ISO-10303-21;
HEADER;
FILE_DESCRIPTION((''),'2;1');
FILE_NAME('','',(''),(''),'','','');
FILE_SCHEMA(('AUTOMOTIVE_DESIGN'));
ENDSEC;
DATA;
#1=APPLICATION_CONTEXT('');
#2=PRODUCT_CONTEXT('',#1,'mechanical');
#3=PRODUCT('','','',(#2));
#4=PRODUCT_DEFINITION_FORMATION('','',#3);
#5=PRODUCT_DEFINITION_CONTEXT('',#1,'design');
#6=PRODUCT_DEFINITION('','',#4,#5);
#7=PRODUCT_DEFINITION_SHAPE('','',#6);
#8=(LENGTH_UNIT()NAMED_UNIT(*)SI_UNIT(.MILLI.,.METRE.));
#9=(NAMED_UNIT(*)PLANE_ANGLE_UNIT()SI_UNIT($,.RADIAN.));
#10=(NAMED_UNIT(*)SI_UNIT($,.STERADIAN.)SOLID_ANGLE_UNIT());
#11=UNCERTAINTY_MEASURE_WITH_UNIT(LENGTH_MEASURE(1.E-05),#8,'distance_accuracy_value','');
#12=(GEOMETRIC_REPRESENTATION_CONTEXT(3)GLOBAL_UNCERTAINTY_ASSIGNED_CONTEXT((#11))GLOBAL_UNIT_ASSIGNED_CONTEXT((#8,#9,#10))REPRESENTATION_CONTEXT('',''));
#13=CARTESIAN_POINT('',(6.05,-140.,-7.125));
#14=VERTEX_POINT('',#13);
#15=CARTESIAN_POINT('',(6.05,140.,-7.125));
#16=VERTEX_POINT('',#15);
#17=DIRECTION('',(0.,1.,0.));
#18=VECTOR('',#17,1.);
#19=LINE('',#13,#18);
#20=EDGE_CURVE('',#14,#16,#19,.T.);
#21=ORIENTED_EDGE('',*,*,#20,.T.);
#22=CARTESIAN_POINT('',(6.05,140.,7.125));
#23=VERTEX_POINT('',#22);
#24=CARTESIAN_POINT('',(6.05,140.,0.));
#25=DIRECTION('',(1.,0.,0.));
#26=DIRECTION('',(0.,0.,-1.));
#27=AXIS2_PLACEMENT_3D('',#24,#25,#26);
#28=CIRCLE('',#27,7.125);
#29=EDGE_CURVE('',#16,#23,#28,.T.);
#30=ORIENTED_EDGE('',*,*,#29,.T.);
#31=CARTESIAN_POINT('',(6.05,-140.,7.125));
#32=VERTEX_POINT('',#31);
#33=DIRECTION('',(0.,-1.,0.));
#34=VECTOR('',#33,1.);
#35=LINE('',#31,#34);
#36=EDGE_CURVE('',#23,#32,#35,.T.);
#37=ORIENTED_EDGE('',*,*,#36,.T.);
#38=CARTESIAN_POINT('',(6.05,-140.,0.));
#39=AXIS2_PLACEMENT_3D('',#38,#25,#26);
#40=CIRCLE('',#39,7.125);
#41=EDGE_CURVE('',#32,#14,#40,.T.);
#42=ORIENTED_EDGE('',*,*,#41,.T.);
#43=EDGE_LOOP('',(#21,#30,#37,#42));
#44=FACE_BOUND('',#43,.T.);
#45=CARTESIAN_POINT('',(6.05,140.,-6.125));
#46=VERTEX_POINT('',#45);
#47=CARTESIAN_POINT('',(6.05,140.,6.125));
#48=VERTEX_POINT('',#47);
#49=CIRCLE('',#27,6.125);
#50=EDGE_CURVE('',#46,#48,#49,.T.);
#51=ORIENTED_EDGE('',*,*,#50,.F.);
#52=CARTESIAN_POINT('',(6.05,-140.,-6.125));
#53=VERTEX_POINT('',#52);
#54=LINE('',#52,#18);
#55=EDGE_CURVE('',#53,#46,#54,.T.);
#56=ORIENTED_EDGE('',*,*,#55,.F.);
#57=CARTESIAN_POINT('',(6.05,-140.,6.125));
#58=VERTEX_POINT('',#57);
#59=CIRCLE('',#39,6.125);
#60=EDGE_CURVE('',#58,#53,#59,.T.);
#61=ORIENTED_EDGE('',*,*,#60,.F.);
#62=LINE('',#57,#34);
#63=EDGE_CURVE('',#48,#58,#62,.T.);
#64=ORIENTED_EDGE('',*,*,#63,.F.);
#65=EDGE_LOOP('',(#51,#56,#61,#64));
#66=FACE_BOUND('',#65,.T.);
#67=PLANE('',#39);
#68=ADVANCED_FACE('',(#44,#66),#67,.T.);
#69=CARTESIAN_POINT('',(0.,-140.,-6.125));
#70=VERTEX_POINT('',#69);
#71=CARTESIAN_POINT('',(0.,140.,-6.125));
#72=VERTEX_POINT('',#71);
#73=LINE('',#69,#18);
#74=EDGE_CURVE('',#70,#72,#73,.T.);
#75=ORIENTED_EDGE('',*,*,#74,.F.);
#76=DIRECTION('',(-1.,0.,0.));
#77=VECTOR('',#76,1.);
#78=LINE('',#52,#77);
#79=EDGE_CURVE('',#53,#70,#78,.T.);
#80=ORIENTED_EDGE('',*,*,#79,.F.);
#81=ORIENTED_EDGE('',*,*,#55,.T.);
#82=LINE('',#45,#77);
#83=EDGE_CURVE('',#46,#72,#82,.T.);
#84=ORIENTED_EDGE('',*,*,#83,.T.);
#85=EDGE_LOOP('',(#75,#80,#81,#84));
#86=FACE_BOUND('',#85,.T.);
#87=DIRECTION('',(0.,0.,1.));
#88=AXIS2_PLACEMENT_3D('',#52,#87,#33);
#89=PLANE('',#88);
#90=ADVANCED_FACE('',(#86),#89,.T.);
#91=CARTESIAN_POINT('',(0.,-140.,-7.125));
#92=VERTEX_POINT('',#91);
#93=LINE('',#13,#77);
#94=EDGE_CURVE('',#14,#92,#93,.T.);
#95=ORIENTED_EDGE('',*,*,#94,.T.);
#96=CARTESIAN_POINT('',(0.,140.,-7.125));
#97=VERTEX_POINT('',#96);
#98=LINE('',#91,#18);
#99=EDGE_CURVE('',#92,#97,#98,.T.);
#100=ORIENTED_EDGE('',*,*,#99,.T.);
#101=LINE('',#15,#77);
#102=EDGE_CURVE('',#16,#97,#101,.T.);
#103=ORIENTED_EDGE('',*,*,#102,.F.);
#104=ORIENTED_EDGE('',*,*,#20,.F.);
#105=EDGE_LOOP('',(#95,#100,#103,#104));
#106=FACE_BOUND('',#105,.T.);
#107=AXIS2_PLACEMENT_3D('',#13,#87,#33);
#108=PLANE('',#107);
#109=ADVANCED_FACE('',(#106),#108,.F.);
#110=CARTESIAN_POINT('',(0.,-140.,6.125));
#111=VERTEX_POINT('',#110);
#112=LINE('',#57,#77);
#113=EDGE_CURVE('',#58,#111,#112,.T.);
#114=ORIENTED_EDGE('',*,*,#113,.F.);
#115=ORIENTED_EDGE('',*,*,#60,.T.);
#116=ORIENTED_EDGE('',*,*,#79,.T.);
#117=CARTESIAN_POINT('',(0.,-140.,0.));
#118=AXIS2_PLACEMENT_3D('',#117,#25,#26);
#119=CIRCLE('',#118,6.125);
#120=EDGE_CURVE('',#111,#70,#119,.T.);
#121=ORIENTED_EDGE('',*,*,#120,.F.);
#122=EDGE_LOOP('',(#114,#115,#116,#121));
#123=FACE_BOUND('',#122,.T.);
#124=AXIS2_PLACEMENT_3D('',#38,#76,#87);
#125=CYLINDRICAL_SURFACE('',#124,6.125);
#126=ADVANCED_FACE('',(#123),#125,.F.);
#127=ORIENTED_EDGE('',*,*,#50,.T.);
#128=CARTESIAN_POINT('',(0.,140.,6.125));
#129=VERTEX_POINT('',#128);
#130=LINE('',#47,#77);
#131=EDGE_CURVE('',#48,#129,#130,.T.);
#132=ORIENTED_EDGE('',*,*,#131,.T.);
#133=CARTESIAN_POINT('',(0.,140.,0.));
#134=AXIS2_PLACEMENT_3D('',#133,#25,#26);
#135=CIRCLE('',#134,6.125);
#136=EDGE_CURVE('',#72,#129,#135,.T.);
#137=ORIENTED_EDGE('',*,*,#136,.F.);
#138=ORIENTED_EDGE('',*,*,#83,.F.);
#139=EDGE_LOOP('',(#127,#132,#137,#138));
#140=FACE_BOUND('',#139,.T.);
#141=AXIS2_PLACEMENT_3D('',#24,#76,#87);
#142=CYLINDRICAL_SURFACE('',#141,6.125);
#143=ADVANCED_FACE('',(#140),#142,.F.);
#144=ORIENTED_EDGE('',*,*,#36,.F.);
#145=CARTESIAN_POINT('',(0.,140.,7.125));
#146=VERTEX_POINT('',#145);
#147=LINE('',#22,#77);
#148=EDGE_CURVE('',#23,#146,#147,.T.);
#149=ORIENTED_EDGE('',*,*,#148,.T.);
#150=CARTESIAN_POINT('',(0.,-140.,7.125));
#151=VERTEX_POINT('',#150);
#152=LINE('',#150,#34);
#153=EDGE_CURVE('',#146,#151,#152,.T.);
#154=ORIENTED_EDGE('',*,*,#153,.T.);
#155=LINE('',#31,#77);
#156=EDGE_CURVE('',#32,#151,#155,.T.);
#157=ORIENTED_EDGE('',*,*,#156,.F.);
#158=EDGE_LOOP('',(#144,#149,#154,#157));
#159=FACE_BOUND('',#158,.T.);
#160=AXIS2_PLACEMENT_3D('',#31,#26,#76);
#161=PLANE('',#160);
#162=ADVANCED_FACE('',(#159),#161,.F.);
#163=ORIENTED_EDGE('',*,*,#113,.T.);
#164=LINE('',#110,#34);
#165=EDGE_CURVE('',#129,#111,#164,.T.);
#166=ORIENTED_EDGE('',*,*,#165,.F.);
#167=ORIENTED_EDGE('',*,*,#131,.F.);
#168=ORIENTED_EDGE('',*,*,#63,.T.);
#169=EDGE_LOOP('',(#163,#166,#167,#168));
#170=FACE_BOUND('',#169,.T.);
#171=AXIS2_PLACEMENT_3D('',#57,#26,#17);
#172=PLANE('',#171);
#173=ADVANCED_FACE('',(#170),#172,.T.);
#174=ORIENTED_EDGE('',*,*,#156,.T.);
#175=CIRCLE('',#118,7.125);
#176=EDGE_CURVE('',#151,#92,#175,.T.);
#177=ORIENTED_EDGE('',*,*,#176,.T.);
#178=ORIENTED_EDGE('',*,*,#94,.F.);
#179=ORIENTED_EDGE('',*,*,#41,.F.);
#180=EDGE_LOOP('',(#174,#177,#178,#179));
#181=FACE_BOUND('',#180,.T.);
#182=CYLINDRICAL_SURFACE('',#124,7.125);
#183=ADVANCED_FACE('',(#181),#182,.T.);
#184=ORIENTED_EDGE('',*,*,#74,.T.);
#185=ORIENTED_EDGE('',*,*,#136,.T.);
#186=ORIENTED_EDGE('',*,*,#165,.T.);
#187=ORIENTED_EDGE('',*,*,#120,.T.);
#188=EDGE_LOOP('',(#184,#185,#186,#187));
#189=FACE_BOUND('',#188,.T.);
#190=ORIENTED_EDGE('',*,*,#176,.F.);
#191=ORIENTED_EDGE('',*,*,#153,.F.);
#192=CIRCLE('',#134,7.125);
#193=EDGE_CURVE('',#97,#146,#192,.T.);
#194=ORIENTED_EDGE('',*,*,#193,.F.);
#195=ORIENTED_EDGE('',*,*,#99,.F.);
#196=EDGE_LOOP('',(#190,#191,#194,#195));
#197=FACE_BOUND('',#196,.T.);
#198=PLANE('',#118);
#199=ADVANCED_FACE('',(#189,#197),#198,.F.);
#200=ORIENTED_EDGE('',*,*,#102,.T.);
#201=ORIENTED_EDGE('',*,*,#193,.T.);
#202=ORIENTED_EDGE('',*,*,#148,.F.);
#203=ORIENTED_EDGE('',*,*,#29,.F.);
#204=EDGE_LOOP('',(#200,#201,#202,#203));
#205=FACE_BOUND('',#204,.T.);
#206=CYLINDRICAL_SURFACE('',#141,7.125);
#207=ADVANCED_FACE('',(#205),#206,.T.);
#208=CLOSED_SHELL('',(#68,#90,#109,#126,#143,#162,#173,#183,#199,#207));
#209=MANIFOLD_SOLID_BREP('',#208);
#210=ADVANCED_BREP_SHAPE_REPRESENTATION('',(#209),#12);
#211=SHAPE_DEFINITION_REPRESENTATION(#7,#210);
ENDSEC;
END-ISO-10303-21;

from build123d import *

# Parameters (mm, degrees)
BOSS_EXTRUDE1_DEPTH = 6.05


with BuildPart() as part:
    # Sketch1 → Boss-Extrude1 (new body)
    with BuildSketch(Plane.YZ):
        with BuildLine():
            Line((-140, 7.125), (140, 7.125))
            ThreePointArc((140, 7.125), (147.125, 0), (140, -7.125))
            Line((140, -7.125), (-140, -7.125))
            ThreePointArc((-140, -7.125), (-147.125, 0), (-140, 7.125))
        make_face()
        with BuildLine():
            Line((-140, 6.125), (140, 6.125))
            ThreePointArc((140, 6.125), (146.125, 0), (140, -6.125))
            Line((140, -6.125), (-140, -6.125))
            ThreePointArc((-140, -6.125), (-146.125, 0), (-140, 6.125))
        make_face(mode=Mode.SUBTRACT)
    extrude(amount=BOSS_EXTRUDE1_DEPTH)


solid = part.part
